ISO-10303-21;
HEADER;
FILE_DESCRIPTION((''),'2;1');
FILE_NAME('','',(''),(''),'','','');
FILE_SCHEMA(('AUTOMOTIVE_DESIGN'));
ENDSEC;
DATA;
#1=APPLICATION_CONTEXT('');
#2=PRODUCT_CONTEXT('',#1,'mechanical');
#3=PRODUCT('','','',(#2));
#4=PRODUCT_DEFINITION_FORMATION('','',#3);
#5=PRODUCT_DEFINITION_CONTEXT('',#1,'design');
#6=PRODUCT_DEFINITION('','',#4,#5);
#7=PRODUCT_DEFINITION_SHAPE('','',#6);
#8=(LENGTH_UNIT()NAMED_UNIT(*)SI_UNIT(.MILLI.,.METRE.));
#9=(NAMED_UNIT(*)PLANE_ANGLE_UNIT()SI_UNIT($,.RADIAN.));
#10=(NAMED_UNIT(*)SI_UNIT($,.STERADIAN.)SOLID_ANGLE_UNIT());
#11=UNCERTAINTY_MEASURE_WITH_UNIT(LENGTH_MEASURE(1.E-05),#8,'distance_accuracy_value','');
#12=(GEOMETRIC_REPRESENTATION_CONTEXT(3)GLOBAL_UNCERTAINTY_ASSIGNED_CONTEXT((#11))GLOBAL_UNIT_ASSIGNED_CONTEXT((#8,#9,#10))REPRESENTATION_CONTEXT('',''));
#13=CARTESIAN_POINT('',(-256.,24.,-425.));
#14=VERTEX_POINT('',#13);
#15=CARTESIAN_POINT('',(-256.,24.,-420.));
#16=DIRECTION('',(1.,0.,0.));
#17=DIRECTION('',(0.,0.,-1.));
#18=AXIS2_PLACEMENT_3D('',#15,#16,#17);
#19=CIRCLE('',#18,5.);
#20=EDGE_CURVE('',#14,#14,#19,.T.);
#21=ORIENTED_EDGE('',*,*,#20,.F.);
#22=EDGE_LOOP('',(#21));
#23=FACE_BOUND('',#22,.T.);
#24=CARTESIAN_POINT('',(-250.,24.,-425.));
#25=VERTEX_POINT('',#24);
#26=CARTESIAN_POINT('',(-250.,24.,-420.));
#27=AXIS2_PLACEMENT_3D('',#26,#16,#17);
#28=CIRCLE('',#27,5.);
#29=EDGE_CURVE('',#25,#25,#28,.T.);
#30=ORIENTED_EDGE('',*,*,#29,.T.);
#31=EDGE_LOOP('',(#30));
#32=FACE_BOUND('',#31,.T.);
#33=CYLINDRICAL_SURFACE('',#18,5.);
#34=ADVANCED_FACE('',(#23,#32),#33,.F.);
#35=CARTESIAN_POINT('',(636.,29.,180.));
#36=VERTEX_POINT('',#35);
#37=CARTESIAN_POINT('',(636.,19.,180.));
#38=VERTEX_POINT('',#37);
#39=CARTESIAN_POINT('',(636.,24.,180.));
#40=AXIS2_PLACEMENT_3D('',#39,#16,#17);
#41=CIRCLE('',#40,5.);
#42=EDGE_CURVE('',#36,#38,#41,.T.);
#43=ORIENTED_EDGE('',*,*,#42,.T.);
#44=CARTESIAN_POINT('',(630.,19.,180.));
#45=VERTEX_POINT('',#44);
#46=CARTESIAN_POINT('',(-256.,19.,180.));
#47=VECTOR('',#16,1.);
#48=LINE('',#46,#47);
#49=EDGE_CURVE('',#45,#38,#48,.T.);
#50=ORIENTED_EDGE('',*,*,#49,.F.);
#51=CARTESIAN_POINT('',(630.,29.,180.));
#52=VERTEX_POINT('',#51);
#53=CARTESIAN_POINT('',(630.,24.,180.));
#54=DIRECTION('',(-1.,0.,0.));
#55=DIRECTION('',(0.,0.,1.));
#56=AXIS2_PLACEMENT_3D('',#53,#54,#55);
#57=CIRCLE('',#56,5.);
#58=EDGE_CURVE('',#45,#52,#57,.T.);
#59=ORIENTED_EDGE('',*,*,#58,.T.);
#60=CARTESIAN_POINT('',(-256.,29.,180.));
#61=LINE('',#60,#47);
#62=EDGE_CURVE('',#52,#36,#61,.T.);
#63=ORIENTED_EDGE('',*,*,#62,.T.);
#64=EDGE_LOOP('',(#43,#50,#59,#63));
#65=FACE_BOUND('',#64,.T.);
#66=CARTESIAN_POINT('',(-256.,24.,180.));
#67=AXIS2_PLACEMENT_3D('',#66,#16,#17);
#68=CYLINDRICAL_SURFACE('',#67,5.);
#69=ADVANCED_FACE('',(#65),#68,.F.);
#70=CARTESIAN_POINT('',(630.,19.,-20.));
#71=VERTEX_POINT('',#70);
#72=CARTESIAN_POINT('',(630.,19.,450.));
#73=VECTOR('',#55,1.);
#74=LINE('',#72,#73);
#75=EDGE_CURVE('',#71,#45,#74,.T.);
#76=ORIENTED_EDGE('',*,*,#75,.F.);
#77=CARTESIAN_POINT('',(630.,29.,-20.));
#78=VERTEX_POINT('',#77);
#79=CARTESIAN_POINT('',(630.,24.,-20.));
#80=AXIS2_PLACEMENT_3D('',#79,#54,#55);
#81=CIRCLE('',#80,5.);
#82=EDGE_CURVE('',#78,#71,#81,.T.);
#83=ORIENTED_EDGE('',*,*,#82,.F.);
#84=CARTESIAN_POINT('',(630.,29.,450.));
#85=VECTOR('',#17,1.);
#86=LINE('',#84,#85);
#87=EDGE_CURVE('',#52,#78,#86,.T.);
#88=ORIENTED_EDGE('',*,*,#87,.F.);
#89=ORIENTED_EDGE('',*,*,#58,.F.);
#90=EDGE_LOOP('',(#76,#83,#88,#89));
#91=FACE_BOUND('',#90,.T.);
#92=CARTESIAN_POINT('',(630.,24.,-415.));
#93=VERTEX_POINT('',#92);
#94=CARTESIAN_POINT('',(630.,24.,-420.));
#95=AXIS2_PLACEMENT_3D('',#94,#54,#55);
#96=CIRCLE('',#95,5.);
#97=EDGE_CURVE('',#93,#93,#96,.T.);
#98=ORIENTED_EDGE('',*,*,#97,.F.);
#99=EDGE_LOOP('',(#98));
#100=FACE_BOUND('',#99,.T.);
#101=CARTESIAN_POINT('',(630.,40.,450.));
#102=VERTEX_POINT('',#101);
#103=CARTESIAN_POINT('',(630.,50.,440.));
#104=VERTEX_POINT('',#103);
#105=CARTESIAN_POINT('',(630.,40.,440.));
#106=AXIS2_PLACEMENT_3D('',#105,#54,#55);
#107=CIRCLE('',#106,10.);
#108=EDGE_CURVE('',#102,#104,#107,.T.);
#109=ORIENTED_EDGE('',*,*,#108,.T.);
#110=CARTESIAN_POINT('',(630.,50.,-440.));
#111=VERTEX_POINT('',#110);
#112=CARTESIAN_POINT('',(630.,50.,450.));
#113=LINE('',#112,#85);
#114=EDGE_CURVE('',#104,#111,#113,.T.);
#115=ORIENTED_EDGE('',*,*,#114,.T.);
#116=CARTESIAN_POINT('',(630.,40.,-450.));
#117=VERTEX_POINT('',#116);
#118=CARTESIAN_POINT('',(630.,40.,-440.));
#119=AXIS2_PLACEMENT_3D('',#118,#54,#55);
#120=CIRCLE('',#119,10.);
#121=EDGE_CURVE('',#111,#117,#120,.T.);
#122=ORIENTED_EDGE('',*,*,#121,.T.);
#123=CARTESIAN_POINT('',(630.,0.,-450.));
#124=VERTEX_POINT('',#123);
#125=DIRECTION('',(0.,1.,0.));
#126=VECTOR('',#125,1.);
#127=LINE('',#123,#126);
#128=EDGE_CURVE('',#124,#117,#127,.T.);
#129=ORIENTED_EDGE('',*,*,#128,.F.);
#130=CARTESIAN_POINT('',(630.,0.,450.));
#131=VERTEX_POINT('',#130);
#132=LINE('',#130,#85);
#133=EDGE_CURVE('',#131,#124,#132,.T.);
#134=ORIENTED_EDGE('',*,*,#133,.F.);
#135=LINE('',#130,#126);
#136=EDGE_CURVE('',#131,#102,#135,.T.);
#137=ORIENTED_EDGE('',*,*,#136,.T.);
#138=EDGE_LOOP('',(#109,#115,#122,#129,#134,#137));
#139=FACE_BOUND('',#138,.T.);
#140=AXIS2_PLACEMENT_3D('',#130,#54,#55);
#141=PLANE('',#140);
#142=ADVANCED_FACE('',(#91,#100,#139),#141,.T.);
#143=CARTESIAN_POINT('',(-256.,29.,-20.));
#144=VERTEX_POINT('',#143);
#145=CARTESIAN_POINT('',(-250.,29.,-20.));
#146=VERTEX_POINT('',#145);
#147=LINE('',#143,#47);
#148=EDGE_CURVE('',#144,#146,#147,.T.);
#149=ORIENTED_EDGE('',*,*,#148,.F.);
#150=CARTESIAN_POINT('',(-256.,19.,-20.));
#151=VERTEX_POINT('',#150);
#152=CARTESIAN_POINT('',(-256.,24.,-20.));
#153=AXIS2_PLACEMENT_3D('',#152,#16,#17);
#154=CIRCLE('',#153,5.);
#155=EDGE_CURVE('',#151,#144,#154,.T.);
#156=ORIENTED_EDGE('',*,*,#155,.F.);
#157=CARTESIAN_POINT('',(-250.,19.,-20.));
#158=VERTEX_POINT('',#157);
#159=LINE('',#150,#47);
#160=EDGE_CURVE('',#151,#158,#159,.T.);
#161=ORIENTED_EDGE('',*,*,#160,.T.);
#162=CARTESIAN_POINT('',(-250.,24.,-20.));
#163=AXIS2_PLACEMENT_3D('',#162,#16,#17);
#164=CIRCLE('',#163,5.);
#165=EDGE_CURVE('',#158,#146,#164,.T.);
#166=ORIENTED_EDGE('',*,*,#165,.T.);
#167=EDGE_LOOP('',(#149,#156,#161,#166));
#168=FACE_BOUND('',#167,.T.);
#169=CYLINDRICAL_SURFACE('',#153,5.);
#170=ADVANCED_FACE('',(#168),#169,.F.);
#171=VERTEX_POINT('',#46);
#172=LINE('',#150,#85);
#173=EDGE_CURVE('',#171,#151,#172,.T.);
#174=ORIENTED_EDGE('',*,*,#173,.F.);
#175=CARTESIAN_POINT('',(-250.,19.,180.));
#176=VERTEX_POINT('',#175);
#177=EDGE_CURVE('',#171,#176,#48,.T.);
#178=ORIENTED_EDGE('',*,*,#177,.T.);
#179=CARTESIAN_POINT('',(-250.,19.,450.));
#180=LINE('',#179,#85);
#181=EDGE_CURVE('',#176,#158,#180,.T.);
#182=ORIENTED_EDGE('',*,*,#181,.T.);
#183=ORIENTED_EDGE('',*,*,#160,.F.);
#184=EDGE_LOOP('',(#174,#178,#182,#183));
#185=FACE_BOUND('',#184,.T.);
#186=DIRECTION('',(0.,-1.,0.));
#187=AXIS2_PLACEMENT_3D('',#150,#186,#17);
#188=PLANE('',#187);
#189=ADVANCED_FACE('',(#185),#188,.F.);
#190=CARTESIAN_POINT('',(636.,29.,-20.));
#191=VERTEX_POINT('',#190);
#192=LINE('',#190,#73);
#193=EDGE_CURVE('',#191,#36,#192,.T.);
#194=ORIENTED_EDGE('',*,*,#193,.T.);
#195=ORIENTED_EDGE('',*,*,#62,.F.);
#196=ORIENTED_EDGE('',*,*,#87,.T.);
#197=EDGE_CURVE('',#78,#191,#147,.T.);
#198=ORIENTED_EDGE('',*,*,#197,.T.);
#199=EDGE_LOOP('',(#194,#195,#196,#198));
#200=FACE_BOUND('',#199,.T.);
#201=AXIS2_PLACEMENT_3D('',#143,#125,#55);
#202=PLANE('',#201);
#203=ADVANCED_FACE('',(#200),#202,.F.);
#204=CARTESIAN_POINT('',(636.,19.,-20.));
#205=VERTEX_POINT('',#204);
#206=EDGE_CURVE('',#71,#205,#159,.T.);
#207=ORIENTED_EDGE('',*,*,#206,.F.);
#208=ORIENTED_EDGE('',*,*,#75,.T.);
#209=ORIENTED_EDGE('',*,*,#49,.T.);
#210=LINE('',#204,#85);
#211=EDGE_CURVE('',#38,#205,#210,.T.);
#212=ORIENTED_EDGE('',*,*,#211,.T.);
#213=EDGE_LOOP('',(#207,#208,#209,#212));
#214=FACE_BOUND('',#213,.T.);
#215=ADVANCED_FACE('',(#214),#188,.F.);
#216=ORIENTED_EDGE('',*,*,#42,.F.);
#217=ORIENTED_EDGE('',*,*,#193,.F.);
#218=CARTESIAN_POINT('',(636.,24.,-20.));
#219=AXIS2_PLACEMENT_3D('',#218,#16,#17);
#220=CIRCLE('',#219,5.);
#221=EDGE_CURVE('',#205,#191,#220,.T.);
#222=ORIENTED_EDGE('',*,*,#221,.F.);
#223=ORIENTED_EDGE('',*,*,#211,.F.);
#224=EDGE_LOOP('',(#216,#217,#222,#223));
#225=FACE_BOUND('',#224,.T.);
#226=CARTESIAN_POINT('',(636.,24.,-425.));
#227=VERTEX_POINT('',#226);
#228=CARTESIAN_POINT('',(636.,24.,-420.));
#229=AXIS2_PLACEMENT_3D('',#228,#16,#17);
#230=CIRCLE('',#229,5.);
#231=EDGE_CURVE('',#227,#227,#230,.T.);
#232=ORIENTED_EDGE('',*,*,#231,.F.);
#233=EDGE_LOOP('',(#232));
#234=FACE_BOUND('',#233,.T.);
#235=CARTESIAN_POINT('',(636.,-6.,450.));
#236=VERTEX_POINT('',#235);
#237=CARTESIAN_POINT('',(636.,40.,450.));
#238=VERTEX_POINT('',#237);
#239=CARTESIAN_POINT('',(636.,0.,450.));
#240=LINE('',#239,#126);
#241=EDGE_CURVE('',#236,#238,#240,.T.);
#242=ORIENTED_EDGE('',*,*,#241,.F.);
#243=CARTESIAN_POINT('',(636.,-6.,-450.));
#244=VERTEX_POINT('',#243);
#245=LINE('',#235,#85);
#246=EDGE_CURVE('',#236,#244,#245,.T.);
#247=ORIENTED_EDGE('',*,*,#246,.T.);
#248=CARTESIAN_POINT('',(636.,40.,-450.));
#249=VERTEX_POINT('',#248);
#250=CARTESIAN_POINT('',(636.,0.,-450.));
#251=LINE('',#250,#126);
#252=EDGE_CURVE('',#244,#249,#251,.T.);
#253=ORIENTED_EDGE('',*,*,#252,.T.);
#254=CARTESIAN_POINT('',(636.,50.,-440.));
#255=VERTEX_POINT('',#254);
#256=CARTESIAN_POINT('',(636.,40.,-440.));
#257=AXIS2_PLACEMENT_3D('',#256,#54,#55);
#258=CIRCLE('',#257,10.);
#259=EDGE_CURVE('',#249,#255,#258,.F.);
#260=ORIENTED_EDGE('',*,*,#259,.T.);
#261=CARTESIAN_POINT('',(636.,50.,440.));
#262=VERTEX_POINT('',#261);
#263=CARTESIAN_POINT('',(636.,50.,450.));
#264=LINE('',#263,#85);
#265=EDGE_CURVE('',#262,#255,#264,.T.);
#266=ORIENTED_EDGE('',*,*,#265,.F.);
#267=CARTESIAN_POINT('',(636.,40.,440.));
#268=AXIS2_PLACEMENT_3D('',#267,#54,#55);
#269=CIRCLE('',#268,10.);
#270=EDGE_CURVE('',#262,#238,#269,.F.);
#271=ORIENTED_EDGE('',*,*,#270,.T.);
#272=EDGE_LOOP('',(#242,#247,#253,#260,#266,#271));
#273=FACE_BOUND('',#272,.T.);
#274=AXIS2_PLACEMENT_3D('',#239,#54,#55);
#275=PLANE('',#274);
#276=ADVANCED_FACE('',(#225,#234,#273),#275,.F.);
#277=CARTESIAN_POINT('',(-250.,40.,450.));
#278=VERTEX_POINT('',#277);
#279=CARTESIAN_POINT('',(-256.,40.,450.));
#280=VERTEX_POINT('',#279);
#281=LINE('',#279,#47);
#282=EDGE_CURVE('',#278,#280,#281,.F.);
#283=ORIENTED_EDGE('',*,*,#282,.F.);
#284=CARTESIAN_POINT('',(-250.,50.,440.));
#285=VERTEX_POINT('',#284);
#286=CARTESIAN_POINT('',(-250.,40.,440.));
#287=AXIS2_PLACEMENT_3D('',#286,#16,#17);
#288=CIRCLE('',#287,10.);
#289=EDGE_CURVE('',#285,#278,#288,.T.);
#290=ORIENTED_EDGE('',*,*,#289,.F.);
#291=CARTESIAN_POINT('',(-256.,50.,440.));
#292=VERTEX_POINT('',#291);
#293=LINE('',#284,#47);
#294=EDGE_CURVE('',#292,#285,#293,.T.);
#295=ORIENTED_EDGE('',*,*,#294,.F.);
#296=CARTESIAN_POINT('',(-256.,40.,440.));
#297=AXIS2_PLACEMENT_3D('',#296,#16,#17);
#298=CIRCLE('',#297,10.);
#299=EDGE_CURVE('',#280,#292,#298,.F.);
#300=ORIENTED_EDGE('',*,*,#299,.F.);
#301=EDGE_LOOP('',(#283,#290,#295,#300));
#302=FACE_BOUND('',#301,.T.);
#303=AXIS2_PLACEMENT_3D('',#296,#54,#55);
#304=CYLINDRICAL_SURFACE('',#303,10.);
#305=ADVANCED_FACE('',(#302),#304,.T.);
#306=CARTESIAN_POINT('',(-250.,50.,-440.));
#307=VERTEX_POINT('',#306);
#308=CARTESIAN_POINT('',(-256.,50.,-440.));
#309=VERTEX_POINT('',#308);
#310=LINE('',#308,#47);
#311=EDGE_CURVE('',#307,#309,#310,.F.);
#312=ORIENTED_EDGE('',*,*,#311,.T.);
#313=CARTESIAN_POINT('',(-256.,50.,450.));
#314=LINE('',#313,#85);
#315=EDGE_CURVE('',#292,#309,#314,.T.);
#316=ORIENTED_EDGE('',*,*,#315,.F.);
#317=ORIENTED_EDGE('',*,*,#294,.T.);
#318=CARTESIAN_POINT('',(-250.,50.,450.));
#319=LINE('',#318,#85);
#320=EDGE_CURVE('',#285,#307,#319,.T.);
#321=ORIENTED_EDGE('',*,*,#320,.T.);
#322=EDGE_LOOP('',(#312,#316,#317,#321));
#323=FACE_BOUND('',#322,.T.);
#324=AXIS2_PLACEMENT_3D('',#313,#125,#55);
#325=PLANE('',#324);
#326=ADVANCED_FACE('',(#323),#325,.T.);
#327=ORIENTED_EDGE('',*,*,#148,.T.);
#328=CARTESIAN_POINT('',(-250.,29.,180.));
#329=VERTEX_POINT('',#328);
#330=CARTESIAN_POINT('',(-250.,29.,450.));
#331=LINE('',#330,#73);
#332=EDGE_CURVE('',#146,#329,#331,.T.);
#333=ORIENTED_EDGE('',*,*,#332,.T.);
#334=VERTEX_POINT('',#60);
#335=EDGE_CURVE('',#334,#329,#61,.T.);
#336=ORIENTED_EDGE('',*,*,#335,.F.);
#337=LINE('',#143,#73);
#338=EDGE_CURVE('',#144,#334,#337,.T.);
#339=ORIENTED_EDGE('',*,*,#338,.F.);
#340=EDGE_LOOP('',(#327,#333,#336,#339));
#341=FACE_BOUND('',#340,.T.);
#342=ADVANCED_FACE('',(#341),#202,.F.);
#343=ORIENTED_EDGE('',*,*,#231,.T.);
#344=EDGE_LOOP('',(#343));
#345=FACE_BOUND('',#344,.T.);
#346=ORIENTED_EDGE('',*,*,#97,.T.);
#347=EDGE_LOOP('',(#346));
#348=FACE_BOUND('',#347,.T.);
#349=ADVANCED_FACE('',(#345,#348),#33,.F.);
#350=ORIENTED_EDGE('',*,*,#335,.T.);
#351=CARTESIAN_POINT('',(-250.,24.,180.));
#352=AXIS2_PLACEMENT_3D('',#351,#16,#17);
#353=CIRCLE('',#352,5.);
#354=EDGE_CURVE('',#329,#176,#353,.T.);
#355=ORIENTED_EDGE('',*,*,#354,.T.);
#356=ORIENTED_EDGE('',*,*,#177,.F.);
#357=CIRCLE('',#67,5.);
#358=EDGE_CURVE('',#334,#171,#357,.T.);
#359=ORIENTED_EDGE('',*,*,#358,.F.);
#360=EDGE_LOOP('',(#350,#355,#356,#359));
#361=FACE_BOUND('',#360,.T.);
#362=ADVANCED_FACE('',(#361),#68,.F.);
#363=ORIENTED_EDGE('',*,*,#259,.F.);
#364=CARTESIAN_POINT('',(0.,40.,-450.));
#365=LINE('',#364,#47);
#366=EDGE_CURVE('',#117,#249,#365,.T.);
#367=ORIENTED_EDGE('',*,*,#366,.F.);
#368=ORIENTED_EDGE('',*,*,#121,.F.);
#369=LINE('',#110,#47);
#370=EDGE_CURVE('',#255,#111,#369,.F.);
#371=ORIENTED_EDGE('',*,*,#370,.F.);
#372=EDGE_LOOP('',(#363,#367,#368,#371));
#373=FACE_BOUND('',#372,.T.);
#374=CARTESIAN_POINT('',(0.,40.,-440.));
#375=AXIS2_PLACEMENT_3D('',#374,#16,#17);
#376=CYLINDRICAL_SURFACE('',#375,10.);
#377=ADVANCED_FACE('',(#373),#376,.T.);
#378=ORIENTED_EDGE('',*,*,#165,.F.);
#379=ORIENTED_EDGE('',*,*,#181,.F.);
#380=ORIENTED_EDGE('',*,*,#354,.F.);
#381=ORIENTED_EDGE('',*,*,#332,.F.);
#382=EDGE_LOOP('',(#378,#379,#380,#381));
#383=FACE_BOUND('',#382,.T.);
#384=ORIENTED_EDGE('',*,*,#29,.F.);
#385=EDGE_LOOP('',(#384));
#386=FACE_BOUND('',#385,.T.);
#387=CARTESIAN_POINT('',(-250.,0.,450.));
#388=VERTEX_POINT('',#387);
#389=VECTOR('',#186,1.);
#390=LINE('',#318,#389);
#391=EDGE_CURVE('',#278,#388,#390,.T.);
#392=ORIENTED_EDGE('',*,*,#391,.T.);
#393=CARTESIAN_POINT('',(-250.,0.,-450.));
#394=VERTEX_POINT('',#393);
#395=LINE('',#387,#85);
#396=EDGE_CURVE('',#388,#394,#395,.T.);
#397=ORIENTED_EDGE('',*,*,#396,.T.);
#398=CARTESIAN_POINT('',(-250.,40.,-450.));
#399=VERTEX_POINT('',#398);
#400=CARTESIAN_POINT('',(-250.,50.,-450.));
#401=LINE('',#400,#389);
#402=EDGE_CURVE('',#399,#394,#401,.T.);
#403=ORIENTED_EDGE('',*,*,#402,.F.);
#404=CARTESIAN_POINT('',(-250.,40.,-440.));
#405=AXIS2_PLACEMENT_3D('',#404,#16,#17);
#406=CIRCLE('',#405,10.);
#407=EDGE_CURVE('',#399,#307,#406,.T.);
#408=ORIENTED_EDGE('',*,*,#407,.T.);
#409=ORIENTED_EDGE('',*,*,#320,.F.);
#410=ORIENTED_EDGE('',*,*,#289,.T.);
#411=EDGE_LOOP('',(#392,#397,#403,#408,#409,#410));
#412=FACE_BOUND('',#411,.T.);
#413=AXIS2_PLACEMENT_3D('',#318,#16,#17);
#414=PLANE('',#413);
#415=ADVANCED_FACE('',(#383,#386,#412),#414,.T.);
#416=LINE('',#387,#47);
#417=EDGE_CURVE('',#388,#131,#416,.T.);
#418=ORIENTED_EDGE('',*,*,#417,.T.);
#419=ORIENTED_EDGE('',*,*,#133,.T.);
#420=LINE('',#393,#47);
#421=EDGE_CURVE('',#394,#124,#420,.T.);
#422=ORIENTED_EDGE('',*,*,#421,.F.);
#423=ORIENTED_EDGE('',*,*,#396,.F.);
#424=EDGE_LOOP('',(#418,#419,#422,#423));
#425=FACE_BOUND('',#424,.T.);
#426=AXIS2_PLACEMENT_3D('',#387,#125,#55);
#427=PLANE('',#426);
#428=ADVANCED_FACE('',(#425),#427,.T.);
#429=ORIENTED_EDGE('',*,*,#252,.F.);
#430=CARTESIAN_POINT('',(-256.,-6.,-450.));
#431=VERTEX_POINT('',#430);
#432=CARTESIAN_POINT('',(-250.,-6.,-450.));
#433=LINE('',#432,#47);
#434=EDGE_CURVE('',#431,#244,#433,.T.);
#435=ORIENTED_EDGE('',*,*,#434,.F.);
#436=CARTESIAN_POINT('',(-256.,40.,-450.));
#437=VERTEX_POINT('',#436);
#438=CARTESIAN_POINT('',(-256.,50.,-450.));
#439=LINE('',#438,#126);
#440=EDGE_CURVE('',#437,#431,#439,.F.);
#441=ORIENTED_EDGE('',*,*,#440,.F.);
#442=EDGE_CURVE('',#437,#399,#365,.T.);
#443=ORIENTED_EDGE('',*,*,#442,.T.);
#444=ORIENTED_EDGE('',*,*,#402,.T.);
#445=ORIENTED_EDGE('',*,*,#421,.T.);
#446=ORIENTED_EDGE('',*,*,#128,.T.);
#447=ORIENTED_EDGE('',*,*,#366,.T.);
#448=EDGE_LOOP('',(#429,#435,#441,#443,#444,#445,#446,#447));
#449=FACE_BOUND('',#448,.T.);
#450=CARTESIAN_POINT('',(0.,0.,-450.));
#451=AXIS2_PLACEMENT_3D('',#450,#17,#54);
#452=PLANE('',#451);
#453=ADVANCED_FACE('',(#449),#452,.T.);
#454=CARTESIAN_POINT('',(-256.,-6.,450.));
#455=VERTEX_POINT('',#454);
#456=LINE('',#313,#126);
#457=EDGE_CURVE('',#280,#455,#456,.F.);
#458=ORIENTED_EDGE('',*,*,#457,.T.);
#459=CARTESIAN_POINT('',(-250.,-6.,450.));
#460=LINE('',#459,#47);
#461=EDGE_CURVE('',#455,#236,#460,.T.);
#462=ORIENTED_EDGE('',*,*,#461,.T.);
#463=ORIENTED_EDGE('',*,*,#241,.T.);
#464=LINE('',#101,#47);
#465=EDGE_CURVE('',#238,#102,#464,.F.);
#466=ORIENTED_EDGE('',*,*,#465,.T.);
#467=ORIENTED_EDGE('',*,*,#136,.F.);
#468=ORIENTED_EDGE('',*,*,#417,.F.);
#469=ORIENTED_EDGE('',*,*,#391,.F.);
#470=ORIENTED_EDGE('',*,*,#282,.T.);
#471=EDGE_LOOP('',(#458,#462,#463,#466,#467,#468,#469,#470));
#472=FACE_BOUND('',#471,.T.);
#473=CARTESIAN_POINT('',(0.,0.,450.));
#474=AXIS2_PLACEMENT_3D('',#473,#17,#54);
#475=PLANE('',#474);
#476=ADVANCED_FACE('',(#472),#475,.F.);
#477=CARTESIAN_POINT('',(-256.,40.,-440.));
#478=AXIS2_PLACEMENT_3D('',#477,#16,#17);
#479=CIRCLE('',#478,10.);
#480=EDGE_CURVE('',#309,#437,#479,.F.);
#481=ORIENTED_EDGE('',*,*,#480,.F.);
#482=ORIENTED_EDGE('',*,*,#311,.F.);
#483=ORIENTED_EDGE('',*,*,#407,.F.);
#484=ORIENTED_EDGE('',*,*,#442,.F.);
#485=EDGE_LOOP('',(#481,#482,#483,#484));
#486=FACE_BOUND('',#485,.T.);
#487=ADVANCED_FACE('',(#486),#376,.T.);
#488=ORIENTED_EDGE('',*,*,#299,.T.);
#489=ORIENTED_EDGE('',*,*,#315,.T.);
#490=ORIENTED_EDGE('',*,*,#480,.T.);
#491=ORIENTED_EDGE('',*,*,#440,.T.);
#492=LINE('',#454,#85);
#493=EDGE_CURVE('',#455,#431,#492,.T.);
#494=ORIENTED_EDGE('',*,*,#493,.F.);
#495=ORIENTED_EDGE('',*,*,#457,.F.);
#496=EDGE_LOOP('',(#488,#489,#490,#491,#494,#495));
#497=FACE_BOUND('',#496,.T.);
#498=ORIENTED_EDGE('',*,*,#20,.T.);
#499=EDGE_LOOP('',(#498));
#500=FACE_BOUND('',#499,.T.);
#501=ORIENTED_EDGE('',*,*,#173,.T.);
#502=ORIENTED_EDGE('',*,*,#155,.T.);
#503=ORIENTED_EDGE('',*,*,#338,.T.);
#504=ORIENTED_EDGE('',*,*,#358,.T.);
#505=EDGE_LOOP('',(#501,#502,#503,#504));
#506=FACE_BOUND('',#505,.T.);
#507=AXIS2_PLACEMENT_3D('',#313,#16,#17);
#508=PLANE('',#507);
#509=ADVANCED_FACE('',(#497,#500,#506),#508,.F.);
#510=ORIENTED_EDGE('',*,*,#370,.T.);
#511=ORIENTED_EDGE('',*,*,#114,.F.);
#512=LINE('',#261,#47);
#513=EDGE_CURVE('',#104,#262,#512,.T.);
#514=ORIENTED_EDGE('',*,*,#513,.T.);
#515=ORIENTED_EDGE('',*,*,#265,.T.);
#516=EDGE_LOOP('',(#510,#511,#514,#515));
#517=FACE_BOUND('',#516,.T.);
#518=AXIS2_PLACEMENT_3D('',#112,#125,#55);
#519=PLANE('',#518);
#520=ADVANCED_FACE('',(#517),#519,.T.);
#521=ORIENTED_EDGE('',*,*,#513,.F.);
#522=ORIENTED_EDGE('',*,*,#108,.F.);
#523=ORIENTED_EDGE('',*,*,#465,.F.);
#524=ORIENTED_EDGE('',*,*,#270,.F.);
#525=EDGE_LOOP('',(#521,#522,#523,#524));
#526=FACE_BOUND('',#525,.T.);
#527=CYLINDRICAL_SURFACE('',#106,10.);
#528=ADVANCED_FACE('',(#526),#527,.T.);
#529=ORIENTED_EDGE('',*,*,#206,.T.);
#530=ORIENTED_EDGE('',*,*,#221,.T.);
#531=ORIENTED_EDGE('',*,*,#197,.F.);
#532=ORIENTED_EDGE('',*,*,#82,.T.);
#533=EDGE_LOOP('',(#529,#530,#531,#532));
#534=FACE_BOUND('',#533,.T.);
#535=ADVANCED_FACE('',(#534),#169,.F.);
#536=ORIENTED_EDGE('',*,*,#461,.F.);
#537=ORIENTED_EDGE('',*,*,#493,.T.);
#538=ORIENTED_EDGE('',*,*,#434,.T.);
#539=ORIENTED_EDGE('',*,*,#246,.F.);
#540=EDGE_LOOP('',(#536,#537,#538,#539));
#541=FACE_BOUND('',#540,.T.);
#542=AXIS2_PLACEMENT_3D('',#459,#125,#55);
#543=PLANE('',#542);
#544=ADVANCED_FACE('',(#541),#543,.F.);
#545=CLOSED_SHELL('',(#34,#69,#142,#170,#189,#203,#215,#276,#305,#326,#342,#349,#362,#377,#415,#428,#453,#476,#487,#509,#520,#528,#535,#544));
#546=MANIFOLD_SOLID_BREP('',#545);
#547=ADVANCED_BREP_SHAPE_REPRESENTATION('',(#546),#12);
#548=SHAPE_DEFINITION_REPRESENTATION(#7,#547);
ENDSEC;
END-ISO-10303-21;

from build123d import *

# Parameters (mm, degrees)
EXTRUDE_THIN1_DEPTH = 450
SKETCH2_R           = 5
CUT_EXTRUDE1_DEPTH  = 893
FILLET1_R           = 10


with BuildPart() as part:
    # Sketch1 → Extrude-Thin1 (new body, symmetric)
    with BuildSketch(Plane.XY):
        Polygon((-250, 50), (-250, 0), (630, 0), (630, 50), (636, 50), (636, -6), (-256, -6), (-256, 50), align=None)
    extrude(amount=EXTRUDE_THIN1_DEPTH, both=True)

    # Sketch2 → Cut-Extrude1 (cut, through all)
    with BuildSketch(Plane(origin=(636, 0, 0), x_dir=(0, 0, -1), z_dir=(1, 0, 0))):
        with Locations((420, 24)):
            Circle(SKETCH2_R)
        with BuildLine():
            Line((20, 19), (-180, 19))
            ThreePointArc((-180, 19), (-185, 24), (-180, 29))
            Line((-180, 29), (20, 29))
            ThreePointArc((20, 29), (25, 24), (20, 19))
        make_face()
    extrude(amount=-CUT_EXTRUDE1_DEPTH, mode=Mode.SUBTRACT)

    # Fillet1
    fillet1_edges = [part.edges().sort_by_distance(p)[0] for p in [
        (-253, 50, 450),
        (-253, 50, -450),
        (633, 50, 450),
        (633, 50, -450),
    ]]
    fillet(fillet1_edges, radius=FILLET1_R)


solid = part.part
